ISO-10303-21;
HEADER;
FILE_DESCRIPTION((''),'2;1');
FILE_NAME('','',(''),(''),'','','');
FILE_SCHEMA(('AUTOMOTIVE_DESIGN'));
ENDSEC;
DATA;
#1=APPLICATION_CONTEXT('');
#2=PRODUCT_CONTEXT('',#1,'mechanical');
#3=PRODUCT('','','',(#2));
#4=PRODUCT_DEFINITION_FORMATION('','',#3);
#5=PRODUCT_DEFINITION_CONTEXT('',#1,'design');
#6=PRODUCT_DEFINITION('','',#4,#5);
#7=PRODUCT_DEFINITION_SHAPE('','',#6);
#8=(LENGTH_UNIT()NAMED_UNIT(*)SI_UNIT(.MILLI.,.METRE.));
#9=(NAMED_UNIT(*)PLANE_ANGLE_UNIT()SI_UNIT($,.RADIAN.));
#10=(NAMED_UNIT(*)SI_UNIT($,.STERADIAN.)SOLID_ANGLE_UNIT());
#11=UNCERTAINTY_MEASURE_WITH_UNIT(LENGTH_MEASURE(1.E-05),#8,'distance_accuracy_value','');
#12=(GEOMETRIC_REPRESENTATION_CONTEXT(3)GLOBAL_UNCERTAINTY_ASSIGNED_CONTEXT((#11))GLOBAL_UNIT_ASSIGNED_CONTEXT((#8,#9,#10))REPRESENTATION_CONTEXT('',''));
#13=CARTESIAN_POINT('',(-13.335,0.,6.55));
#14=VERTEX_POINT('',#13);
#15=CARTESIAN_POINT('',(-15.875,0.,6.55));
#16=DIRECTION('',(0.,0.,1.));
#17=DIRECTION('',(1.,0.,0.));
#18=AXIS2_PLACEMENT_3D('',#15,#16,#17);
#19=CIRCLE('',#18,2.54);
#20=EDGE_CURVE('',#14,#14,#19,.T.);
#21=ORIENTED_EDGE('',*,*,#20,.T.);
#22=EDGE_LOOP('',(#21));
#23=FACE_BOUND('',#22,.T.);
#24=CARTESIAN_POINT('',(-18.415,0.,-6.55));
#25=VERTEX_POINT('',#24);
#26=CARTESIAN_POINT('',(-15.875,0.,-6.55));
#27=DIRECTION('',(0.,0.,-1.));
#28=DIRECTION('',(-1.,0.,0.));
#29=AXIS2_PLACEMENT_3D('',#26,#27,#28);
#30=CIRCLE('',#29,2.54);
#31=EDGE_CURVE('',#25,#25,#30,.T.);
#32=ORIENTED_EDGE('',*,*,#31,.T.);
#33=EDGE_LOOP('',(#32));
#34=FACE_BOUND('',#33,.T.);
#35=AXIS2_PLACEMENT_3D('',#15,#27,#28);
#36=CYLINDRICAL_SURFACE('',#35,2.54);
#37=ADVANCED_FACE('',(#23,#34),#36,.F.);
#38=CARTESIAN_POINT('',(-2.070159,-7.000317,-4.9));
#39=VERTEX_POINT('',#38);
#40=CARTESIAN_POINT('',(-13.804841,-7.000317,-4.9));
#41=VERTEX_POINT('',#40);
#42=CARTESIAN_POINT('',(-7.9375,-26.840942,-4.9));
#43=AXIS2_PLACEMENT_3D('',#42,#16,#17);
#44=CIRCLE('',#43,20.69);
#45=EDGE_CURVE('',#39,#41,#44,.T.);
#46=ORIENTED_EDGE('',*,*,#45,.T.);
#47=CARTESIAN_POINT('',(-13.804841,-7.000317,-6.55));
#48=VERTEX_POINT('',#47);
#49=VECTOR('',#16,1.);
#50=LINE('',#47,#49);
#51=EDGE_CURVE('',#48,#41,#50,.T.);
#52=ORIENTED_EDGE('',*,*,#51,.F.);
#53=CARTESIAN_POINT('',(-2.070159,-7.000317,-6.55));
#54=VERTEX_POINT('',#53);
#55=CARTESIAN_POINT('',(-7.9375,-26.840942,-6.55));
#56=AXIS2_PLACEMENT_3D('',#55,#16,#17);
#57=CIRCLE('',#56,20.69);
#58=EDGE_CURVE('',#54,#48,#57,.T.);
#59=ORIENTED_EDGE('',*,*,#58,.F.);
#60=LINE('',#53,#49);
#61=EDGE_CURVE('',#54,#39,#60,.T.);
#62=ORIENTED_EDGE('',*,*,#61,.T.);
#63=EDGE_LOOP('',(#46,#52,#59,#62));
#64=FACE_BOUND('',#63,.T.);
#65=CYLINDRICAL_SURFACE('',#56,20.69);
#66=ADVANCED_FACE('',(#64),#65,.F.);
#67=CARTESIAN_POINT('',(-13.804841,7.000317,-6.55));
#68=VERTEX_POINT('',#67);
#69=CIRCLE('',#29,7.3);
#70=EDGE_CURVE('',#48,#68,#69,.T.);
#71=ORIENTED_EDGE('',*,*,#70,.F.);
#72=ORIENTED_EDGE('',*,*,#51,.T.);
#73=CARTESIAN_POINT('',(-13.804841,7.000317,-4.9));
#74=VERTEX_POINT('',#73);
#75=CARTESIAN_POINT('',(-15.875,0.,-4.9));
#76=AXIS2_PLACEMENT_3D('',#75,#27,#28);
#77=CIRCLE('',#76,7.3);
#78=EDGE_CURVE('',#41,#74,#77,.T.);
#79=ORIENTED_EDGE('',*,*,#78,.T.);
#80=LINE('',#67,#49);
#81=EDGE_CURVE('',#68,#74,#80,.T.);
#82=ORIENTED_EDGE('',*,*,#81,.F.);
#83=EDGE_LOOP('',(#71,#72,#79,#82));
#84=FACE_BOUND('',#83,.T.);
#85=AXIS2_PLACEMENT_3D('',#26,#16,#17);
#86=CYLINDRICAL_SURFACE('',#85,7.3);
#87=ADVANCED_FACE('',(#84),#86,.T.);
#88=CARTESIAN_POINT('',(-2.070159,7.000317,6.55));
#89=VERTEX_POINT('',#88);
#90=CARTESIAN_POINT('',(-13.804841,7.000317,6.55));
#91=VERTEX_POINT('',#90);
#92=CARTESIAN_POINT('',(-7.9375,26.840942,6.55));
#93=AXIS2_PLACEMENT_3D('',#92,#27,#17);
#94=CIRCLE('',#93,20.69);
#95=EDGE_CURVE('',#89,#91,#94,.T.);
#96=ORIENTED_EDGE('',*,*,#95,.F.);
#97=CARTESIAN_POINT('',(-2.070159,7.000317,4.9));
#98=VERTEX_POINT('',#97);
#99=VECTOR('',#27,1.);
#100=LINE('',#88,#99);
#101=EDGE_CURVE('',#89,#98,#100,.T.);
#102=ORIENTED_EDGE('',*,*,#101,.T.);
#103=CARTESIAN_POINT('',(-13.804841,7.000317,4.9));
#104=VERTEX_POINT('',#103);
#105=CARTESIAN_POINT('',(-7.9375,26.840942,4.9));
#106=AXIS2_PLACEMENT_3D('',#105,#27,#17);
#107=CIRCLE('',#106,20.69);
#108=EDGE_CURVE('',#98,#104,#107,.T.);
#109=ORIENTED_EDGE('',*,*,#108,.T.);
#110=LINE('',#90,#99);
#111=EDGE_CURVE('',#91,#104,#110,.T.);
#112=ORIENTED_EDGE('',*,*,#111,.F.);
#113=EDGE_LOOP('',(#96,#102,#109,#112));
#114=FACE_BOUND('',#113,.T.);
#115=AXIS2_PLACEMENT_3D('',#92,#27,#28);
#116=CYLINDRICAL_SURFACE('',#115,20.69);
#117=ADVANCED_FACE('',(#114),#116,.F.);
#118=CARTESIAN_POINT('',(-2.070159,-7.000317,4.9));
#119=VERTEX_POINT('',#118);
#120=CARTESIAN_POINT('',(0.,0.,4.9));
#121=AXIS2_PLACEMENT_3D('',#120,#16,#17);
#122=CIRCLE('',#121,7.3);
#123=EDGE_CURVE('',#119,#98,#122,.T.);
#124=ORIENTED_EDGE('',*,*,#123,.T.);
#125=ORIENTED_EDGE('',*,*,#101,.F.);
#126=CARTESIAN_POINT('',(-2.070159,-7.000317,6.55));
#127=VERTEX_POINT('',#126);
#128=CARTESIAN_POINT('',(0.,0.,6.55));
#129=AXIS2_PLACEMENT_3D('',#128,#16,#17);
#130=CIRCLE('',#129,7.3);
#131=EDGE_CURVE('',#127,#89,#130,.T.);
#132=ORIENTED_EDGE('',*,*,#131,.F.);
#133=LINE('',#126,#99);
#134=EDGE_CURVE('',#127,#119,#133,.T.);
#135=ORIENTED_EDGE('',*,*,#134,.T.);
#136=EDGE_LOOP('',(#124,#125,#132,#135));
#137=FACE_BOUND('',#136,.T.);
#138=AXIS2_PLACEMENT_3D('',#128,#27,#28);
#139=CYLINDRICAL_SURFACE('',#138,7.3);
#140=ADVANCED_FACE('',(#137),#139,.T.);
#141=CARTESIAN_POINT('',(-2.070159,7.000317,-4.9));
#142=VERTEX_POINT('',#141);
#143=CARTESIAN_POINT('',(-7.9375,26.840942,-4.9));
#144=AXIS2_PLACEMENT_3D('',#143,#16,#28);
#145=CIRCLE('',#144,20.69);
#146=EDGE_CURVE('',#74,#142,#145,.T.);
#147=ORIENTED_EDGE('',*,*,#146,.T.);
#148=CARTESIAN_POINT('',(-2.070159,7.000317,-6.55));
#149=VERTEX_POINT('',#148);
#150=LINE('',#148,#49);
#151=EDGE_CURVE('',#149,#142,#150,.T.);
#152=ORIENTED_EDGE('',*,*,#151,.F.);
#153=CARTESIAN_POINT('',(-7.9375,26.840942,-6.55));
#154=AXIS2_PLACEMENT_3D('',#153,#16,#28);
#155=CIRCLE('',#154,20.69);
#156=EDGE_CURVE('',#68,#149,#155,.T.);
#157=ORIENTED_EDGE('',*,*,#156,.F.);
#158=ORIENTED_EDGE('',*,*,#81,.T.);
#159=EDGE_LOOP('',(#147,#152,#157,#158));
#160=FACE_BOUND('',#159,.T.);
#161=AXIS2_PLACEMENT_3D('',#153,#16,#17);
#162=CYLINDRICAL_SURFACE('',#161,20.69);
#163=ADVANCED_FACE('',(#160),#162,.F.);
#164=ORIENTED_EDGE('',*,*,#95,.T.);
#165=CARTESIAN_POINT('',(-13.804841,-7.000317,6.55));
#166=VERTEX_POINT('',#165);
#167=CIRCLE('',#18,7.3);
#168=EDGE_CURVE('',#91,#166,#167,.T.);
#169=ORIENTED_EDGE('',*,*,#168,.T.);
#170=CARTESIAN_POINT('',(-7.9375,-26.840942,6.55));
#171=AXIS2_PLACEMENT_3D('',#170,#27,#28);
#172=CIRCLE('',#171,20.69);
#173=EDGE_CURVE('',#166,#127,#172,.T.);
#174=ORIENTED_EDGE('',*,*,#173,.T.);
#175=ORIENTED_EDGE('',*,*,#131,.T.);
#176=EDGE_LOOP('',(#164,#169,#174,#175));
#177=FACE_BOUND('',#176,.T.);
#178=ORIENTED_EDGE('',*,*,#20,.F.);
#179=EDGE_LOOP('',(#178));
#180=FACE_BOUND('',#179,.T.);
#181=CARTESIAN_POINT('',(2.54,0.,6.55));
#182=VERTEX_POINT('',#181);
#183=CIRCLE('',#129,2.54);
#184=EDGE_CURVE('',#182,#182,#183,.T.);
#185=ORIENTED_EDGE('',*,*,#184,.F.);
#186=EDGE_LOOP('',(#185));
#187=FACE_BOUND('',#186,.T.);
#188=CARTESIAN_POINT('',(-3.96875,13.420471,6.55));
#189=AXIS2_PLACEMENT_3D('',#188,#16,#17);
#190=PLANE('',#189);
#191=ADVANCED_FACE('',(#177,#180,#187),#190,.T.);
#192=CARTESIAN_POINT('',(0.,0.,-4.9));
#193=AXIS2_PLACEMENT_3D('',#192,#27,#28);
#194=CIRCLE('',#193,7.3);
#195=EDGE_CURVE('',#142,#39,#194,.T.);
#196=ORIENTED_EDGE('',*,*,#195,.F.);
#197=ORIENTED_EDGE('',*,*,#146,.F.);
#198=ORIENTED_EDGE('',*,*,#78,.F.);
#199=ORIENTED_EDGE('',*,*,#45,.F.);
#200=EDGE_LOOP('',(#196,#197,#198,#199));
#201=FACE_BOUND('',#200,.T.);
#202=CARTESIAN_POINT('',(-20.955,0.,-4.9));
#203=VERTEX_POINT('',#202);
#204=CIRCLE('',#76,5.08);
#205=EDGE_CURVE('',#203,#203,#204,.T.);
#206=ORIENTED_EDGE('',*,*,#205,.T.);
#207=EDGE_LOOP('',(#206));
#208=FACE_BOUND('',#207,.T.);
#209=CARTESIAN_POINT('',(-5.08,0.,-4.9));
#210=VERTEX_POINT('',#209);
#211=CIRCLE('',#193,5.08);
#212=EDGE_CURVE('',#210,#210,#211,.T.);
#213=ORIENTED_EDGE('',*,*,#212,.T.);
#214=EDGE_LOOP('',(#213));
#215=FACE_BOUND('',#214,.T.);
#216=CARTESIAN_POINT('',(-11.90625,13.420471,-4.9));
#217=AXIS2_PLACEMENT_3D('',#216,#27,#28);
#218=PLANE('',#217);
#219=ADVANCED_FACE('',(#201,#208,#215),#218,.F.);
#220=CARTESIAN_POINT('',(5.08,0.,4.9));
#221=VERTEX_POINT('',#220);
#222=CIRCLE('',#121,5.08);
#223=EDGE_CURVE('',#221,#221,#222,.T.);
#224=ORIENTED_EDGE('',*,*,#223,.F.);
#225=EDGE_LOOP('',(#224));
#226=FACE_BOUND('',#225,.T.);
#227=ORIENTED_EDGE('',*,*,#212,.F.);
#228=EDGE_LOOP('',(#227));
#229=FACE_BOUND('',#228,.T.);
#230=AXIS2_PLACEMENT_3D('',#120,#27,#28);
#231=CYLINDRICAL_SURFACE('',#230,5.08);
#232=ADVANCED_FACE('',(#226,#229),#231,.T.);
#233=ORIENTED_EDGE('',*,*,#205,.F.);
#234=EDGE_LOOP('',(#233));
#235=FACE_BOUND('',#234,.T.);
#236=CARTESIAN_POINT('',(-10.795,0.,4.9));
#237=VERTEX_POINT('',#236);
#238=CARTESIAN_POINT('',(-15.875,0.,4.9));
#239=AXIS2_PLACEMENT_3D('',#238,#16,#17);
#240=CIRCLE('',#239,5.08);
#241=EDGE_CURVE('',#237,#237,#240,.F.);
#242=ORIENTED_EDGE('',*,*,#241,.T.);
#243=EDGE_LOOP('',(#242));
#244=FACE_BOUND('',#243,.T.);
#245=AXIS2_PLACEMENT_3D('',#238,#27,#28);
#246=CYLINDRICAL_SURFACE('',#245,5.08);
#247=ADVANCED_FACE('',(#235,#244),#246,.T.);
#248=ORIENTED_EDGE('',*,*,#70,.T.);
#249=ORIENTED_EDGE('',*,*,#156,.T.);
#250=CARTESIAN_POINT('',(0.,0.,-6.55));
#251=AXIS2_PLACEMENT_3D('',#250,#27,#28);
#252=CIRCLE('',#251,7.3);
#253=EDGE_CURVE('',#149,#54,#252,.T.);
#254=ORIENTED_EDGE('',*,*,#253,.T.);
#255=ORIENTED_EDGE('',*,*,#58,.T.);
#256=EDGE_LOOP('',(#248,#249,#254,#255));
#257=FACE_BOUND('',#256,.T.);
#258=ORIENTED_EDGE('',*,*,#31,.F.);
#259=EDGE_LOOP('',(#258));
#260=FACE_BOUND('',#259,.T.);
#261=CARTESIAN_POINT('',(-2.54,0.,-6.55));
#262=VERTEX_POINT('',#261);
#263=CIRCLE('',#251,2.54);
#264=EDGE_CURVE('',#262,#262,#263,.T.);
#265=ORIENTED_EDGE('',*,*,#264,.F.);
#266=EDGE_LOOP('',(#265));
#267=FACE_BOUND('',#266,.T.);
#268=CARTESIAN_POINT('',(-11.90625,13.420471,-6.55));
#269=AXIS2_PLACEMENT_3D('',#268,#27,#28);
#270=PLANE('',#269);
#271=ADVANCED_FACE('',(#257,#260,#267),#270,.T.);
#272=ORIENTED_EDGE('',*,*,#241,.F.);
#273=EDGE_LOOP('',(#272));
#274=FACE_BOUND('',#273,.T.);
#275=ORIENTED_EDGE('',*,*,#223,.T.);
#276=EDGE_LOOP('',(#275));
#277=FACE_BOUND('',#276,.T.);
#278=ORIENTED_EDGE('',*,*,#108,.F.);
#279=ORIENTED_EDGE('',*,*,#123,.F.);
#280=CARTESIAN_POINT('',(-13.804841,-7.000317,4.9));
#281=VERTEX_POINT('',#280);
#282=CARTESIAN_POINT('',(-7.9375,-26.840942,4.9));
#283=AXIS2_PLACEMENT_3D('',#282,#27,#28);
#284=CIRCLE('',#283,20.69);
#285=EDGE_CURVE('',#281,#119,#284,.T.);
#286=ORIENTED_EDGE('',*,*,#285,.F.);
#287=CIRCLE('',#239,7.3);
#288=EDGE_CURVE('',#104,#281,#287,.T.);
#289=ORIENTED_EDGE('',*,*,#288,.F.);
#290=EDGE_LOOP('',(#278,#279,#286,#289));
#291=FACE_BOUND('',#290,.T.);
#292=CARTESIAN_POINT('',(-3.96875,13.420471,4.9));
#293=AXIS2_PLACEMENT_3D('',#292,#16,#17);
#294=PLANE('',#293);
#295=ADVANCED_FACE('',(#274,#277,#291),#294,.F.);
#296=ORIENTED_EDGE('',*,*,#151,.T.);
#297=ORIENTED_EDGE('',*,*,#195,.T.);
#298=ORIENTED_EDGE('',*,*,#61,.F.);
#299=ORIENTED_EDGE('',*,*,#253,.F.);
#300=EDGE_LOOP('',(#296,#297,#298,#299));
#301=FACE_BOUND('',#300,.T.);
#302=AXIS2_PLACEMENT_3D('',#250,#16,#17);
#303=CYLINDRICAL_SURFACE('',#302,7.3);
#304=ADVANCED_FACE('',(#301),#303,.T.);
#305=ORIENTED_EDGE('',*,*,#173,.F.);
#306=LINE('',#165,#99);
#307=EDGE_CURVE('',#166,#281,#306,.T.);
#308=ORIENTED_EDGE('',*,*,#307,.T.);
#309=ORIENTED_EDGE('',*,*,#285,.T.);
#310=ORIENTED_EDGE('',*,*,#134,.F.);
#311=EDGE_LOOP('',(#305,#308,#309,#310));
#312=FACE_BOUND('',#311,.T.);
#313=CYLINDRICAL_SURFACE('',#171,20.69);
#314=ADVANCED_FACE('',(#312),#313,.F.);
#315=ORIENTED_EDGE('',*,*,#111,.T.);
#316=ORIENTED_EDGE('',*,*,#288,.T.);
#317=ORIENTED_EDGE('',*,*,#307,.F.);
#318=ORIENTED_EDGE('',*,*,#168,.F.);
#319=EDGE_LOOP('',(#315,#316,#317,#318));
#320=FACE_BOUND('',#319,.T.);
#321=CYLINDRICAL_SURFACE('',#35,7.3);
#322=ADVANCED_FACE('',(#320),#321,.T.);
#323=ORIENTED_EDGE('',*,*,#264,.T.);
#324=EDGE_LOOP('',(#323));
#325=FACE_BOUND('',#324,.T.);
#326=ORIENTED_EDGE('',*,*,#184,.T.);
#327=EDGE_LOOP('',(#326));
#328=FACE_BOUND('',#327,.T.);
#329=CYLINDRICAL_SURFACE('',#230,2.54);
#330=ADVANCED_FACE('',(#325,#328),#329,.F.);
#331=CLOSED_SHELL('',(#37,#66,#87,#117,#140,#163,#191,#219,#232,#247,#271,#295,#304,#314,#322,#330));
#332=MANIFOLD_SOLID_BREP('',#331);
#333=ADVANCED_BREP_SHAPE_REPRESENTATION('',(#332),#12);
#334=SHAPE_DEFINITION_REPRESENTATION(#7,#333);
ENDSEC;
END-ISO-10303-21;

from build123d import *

# Parameters (mm, degrees)
SKETCH1_R             = 5.08
SKETCH1_R_2           = 2.54
BOSS_EXTRUDE1_DEPTH   = 4.9
BOSS_EXTRUDE1_2_DEPTH = 4.9
SKETCH2_R             = 2.54
BOSS_EXTRUDE2_DEPTH   = 1.65
BOSS_EXTRUDE3_START   = 1.65
SKETCH3_R             = 2.54
BOSS_EXTRUDE3_DEPTH   = 1.65


with BuildPart() as part:
    # Sketch1 → Boss-Extrude1 (new, symmetric)
    with BuildSketch(Plane.XY):
        Circle(SKETCH1_R)
        Circle(SKETCH1_R_2, mode=Mode.SUBTRACT)
    extrude(amount=BOSS_EXTRUDE1_DEPTH, both=True)



with BuildPart() as body_2:
    # Sketch1 → Boss-Extrude1 2 (new, symmetric)
    with BuildSketch(Plane.XY):
        with Locations((-15.875, 0)):
            Circle(SKETCH1_R)
        with Locations((-15.875, 0)):
            Circle(SKETCH1_R_2, mode=Mode.SUBTRACT)
    extrude(amount=BOSS_EXTRUDE1_2_DEPTH, both=True)


with BuildPart() as part_1:
    add(part.part)

    add(body_2.part)  # Boss-Extrude2 merges body 2
    # Sketch2 → Boss-Extrude2 (add)
    with BuildSketch(Plane.XY.offset(4.9)):
        with BuildLine():
            ThreePointArc((-2.070158985, -7.000317262), (7.3, 0), (-2.070158985, 7.000317262))
            ThreePointArc((-2.070158985, 7.000317262), (-7.9375, 6.15094249), (-13.804841015, 7.000317262))
            ThreePointArc((-13.804841015, 7.000317262), (-23.175, 0), (-13.804841015, -7.000317262))
            ThreePointArc((-13.804841015, -7.000317262), (-7.9375, -6.15094249), (-2.070158985, -7.000317262))
        make_face()
        Circle(SKETCH2_R, mode=Mode.SUBTRACT)
        with Locations((-15.875, 0)):
            Circle(SKETCH2_R, mode=Mode.SUBTRACT)
    extrude(amount=BOSS_EXTRUDE2_DEPTH)

    # Sketch3 → Boss-Extrude3 (add)
    with BuildSketch(Plane(origin=(0, 0, -4.9), x_dir=(-1, 0, 0), z_dir=(0, 0, -1)).offset(BOSS_EXTRUDE3_START)):
        with BuildLine():
            ThreePointArc((2.070158985, 7.000317262), (-7.3, 0), (2.070158985, -7.000317262))
            ThreePointArc((2.070158985, -7.000317262), (7.9375, -6.15094249), (13.804841015, -7.000317262))
            ThreePointArc((13.804841015, -7.000317262), (23.175, 0), (13.804841015, 7.000317262))
            ThreePointArc((13.804841015, 7.000317262), (7.9375, 6.15094249), (2.070158985, 7.000317262))
        make_face()
        Circle(SKETCH3_R, mode=Mode.SUBTRACT)
        with Locations((15.875, 0)):
            Circle(SKETCH3_R, mode=Mode.SUBTRACT)
    extrude(amount=-BOSS_EXTRUDE3_DEPTH)


solid = part_1.part
